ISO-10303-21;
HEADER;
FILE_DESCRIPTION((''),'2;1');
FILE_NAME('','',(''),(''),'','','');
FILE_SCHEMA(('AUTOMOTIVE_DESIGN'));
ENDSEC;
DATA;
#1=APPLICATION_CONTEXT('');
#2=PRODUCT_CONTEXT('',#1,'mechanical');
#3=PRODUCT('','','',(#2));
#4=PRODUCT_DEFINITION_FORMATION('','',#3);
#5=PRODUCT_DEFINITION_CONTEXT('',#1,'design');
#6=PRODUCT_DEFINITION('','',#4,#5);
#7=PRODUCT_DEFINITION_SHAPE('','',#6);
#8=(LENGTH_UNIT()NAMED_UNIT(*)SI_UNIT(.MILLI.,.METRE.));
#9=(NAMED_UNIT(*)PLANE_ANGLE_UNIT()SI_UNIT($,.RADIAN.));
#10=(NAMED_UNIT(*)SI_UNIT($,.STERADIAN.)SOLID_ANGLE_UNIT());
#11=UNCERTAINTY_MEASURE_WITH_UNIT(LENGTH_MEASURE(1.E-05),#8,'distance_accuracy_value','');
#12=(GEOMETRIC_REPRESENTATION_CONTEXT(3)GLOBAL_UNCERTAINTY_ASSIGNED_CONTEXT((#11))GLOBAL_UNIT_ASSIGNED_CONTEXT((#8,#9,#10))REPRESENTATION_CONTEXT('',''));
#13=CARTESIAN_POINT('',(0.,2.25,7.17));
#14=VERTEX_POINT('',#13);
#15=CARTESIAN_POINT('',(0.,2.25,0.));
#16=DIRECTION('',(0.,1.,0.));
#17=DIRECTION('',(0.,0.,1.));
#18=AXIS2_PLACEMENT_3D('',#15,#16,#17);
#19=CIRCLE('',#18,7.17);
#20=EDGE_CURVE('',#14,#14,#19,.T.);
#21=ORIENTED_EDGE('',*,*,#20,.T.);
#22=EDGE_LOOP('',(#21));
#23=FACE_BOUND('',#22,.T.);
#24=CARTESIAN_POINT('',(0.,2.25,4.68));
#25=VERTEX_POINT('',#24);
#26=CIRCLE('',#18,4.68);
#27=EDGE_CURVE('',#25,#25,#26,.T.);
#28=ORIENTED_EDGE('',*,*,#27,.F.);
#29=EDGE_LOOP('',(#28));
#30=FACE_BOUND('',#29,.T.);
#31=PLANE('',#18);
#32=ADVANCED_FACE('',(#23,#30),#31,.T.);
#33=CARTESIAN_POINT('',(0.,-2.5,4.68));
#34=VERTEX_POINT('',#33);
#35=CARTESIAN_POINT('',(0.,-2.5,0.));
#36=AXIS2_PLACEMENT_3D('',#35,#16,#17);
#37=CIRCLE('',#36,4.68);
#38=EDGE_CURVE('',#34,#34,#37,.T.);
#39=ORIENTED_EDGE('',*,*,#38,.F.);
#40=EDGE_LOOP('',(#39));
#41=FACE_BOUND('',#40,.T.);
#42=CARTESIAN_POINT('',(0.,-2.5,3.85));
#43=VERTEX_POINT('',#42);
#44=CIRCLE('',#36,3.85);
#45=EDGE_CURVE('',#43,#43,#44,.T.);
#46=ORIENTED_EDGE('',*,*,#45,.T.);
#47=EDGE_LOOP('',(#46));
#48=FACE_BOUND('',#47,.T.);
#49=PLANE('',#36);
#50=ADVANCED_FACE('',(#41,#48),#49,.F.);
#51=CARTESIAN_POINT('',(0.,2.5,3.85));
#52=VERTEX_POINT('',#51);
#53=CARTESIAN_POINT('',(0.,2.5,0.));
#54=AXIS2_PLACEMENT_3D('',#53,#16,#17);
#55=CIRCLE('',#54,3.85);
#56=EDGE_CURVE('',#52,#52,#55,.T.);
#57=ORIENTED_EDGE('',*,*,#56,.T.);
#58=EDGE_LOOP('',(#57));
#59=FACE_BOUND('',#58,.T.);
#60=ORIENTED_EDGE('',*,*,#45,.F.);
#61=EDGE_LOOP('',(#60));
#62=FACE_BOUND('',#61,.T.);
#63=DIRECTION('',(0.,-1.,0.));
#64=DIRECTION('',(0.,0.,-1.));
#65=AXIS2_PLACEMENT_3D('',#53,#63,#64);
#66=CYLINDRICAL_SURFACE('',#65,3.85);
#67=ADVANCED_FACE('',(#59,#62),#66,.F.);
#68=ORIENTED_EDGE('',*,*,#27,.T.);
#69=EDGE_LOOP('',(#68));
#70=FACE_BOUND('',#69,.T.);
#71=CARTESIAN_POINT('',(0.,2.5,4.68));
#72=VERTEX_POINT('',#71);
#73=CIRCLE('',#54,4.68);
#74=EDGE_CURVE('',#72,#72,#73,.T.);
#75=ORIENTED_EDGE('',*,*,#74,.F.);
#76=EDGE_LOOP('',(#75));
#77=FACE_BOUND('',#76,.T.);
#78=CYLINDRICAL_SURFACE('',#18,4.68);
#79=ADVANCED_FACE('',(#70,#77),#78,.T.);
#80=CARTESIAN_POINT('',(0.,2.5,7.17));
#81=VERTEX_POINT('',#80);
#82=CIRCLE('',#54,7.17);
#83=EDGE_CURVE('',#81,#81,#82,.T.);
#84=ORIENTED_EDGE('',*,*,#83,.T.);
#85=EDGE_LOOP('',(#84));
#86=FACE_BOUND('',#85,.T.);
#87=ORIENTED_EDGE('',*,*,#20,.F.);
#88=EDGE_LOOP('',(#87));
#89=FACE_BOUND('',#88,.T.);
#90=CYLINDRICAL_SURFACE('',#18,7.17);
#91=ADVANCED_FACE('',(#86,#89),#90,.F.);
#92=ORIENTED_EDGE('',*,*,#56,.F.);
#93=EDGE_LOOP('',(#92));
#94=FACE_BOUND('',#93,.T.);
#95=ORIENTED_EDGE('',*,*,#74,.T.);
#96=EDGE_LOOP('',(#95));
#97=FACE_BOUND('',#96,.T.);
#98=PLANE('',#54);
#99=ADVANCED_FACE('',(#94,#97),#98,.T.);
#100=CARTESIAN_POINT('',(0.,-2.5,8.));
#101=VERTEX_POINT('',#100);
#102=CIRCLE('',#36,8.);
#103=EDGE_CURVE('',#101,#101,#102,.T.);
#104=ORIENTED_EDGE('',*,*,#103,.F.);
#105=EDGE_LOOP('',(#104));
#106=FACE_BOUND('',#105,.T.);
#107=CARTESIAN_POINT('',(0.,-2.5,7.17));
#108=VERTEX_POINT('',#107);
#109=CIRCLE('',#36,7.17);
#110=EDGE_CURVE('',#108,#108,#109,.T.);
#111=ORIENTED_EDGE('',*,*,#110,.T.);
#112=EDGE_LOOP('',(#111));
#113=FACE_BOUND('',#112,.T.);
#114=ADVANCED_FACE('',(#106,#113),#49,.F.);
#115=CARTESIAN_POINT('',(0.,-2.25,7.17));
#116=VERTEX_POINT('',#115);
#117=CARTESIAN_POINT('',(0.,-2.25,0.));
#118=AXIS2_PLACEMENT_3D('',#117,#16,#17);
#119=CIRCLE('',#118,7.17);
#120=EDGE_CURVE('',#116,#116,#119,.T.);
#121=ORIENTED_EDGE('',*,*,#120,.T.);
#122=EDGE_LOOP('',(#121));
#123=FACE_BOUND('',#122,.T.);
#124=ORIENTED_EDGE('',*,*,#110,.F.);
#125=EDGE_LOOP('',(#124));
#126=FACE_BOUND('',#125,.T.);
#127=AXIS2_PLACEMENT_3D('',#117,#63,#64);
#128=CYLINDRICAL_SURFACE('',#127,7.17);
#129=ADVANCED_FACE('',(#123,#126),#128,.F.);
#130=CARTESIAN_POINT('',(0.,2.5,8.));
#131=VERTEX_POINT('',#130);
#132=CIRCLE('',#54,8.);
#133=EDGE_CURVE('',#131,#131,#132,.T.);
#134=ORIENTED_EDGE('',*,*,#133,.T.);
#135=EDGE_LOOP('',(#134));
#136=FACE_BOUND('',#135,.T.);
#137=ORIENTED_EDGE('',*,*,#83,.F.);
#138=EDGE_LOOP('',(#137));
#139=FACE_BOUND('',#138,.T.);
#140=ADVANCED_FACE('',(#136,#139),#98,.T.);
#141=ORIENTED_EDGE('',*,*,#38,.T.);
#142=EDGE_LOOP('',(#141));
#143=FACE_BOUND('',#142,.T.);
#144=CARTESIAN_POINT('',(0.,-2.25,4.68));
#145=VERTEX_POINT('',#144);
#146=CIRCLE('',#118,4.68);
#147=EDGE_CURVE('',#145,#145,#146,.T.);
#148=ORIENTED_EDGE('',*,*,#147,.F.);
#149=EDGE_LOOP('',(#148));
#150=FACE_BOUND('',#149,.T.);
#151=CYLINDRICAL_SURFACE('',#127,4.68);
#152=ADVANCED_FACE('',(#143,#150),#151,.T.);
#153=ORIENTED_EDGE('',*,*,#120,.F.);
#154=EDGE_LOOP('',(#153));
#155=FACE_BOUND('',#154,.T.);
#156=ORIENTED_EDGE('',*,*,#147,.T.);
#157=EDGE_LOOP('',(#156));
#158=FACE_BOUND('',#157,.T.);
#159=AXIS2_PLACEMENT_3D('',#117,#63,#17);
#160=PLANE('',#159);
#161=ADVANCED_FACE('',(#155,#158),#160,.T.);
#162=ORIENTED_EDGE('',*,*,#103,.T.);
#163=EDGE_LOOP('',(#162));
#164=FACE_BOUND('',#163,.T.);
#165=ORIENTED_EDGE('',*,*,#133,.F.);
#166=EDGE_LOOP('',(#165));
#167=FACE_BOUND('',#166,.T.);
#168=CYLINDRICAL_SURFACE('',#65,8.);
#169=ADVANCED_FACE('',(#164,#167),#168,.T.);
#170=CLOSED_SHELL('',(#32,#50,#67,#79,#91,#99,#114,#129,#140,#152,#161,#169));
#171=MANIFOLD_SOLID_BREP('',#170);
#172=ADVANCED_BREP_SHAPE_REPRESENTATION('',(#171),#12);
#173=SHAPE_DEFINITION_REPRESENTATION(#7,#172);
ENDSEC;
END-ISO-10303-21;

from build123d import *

# Parameters (mm, degrees)
SKETCH_1_R          = 8
SKETCH_1_R_2        = 3.85
EXTRUDE_1_DEPTH     = 2.5
SKETCH_2_R          = 7.17
SKETCH_2_R_2        = 4.68
CUT_EXTRUDE_1_DEPTH = 0.25


with BuildPart() as part:
    # Эскиз1 → Бобышка-Вытянуть1 (new, symmetric)
    with BuildSketch(Plane(origin=(0, 0, 0), x_dir=(1, 0, 0), z_dir=(0, 1, 0))):
        with Locations(Location((0, 0, 0), (0, 0, 270))):
            Circle(SKETCH_1_R)
        with Locations(Location((0, 0, 0), (0, 0, 270))):
            Circle(SKETCH_1_R_2, mode=Mode.SUBTRACT)
    extrude(amount=EXTRUDE_1_DEPTH, both=True)

    # Эскиз2 → Вырез-Вытянуть1 (cut)
    with BuildSketch(Plane(origin=(0, 2.5, 0), x_dir=(1, 0, 0), z_dir=(0, 1, 0))):
        with Locations(Location((0, 0, 0), (0, 0, 270))):
            Circle(SKETCH_2_R)
        with Locations(Location((0, 0, 0), (0, 0, 270))):
            Circle(SKETCH_2_R_2, mode=Mode.SUBTRACT)
    cut_extrude_1 = extrude(amount=-CUT_EXTRUDE_1_DEPTH, mode=Mode.SUBTRACT)

    # Зеркальное отражение1: Вырез-Вытянуть1 across plane
    add(cut_extrude_1.mirror(Plane.ZX), mode=Mode.SUBTRACT)


solid = part.part
